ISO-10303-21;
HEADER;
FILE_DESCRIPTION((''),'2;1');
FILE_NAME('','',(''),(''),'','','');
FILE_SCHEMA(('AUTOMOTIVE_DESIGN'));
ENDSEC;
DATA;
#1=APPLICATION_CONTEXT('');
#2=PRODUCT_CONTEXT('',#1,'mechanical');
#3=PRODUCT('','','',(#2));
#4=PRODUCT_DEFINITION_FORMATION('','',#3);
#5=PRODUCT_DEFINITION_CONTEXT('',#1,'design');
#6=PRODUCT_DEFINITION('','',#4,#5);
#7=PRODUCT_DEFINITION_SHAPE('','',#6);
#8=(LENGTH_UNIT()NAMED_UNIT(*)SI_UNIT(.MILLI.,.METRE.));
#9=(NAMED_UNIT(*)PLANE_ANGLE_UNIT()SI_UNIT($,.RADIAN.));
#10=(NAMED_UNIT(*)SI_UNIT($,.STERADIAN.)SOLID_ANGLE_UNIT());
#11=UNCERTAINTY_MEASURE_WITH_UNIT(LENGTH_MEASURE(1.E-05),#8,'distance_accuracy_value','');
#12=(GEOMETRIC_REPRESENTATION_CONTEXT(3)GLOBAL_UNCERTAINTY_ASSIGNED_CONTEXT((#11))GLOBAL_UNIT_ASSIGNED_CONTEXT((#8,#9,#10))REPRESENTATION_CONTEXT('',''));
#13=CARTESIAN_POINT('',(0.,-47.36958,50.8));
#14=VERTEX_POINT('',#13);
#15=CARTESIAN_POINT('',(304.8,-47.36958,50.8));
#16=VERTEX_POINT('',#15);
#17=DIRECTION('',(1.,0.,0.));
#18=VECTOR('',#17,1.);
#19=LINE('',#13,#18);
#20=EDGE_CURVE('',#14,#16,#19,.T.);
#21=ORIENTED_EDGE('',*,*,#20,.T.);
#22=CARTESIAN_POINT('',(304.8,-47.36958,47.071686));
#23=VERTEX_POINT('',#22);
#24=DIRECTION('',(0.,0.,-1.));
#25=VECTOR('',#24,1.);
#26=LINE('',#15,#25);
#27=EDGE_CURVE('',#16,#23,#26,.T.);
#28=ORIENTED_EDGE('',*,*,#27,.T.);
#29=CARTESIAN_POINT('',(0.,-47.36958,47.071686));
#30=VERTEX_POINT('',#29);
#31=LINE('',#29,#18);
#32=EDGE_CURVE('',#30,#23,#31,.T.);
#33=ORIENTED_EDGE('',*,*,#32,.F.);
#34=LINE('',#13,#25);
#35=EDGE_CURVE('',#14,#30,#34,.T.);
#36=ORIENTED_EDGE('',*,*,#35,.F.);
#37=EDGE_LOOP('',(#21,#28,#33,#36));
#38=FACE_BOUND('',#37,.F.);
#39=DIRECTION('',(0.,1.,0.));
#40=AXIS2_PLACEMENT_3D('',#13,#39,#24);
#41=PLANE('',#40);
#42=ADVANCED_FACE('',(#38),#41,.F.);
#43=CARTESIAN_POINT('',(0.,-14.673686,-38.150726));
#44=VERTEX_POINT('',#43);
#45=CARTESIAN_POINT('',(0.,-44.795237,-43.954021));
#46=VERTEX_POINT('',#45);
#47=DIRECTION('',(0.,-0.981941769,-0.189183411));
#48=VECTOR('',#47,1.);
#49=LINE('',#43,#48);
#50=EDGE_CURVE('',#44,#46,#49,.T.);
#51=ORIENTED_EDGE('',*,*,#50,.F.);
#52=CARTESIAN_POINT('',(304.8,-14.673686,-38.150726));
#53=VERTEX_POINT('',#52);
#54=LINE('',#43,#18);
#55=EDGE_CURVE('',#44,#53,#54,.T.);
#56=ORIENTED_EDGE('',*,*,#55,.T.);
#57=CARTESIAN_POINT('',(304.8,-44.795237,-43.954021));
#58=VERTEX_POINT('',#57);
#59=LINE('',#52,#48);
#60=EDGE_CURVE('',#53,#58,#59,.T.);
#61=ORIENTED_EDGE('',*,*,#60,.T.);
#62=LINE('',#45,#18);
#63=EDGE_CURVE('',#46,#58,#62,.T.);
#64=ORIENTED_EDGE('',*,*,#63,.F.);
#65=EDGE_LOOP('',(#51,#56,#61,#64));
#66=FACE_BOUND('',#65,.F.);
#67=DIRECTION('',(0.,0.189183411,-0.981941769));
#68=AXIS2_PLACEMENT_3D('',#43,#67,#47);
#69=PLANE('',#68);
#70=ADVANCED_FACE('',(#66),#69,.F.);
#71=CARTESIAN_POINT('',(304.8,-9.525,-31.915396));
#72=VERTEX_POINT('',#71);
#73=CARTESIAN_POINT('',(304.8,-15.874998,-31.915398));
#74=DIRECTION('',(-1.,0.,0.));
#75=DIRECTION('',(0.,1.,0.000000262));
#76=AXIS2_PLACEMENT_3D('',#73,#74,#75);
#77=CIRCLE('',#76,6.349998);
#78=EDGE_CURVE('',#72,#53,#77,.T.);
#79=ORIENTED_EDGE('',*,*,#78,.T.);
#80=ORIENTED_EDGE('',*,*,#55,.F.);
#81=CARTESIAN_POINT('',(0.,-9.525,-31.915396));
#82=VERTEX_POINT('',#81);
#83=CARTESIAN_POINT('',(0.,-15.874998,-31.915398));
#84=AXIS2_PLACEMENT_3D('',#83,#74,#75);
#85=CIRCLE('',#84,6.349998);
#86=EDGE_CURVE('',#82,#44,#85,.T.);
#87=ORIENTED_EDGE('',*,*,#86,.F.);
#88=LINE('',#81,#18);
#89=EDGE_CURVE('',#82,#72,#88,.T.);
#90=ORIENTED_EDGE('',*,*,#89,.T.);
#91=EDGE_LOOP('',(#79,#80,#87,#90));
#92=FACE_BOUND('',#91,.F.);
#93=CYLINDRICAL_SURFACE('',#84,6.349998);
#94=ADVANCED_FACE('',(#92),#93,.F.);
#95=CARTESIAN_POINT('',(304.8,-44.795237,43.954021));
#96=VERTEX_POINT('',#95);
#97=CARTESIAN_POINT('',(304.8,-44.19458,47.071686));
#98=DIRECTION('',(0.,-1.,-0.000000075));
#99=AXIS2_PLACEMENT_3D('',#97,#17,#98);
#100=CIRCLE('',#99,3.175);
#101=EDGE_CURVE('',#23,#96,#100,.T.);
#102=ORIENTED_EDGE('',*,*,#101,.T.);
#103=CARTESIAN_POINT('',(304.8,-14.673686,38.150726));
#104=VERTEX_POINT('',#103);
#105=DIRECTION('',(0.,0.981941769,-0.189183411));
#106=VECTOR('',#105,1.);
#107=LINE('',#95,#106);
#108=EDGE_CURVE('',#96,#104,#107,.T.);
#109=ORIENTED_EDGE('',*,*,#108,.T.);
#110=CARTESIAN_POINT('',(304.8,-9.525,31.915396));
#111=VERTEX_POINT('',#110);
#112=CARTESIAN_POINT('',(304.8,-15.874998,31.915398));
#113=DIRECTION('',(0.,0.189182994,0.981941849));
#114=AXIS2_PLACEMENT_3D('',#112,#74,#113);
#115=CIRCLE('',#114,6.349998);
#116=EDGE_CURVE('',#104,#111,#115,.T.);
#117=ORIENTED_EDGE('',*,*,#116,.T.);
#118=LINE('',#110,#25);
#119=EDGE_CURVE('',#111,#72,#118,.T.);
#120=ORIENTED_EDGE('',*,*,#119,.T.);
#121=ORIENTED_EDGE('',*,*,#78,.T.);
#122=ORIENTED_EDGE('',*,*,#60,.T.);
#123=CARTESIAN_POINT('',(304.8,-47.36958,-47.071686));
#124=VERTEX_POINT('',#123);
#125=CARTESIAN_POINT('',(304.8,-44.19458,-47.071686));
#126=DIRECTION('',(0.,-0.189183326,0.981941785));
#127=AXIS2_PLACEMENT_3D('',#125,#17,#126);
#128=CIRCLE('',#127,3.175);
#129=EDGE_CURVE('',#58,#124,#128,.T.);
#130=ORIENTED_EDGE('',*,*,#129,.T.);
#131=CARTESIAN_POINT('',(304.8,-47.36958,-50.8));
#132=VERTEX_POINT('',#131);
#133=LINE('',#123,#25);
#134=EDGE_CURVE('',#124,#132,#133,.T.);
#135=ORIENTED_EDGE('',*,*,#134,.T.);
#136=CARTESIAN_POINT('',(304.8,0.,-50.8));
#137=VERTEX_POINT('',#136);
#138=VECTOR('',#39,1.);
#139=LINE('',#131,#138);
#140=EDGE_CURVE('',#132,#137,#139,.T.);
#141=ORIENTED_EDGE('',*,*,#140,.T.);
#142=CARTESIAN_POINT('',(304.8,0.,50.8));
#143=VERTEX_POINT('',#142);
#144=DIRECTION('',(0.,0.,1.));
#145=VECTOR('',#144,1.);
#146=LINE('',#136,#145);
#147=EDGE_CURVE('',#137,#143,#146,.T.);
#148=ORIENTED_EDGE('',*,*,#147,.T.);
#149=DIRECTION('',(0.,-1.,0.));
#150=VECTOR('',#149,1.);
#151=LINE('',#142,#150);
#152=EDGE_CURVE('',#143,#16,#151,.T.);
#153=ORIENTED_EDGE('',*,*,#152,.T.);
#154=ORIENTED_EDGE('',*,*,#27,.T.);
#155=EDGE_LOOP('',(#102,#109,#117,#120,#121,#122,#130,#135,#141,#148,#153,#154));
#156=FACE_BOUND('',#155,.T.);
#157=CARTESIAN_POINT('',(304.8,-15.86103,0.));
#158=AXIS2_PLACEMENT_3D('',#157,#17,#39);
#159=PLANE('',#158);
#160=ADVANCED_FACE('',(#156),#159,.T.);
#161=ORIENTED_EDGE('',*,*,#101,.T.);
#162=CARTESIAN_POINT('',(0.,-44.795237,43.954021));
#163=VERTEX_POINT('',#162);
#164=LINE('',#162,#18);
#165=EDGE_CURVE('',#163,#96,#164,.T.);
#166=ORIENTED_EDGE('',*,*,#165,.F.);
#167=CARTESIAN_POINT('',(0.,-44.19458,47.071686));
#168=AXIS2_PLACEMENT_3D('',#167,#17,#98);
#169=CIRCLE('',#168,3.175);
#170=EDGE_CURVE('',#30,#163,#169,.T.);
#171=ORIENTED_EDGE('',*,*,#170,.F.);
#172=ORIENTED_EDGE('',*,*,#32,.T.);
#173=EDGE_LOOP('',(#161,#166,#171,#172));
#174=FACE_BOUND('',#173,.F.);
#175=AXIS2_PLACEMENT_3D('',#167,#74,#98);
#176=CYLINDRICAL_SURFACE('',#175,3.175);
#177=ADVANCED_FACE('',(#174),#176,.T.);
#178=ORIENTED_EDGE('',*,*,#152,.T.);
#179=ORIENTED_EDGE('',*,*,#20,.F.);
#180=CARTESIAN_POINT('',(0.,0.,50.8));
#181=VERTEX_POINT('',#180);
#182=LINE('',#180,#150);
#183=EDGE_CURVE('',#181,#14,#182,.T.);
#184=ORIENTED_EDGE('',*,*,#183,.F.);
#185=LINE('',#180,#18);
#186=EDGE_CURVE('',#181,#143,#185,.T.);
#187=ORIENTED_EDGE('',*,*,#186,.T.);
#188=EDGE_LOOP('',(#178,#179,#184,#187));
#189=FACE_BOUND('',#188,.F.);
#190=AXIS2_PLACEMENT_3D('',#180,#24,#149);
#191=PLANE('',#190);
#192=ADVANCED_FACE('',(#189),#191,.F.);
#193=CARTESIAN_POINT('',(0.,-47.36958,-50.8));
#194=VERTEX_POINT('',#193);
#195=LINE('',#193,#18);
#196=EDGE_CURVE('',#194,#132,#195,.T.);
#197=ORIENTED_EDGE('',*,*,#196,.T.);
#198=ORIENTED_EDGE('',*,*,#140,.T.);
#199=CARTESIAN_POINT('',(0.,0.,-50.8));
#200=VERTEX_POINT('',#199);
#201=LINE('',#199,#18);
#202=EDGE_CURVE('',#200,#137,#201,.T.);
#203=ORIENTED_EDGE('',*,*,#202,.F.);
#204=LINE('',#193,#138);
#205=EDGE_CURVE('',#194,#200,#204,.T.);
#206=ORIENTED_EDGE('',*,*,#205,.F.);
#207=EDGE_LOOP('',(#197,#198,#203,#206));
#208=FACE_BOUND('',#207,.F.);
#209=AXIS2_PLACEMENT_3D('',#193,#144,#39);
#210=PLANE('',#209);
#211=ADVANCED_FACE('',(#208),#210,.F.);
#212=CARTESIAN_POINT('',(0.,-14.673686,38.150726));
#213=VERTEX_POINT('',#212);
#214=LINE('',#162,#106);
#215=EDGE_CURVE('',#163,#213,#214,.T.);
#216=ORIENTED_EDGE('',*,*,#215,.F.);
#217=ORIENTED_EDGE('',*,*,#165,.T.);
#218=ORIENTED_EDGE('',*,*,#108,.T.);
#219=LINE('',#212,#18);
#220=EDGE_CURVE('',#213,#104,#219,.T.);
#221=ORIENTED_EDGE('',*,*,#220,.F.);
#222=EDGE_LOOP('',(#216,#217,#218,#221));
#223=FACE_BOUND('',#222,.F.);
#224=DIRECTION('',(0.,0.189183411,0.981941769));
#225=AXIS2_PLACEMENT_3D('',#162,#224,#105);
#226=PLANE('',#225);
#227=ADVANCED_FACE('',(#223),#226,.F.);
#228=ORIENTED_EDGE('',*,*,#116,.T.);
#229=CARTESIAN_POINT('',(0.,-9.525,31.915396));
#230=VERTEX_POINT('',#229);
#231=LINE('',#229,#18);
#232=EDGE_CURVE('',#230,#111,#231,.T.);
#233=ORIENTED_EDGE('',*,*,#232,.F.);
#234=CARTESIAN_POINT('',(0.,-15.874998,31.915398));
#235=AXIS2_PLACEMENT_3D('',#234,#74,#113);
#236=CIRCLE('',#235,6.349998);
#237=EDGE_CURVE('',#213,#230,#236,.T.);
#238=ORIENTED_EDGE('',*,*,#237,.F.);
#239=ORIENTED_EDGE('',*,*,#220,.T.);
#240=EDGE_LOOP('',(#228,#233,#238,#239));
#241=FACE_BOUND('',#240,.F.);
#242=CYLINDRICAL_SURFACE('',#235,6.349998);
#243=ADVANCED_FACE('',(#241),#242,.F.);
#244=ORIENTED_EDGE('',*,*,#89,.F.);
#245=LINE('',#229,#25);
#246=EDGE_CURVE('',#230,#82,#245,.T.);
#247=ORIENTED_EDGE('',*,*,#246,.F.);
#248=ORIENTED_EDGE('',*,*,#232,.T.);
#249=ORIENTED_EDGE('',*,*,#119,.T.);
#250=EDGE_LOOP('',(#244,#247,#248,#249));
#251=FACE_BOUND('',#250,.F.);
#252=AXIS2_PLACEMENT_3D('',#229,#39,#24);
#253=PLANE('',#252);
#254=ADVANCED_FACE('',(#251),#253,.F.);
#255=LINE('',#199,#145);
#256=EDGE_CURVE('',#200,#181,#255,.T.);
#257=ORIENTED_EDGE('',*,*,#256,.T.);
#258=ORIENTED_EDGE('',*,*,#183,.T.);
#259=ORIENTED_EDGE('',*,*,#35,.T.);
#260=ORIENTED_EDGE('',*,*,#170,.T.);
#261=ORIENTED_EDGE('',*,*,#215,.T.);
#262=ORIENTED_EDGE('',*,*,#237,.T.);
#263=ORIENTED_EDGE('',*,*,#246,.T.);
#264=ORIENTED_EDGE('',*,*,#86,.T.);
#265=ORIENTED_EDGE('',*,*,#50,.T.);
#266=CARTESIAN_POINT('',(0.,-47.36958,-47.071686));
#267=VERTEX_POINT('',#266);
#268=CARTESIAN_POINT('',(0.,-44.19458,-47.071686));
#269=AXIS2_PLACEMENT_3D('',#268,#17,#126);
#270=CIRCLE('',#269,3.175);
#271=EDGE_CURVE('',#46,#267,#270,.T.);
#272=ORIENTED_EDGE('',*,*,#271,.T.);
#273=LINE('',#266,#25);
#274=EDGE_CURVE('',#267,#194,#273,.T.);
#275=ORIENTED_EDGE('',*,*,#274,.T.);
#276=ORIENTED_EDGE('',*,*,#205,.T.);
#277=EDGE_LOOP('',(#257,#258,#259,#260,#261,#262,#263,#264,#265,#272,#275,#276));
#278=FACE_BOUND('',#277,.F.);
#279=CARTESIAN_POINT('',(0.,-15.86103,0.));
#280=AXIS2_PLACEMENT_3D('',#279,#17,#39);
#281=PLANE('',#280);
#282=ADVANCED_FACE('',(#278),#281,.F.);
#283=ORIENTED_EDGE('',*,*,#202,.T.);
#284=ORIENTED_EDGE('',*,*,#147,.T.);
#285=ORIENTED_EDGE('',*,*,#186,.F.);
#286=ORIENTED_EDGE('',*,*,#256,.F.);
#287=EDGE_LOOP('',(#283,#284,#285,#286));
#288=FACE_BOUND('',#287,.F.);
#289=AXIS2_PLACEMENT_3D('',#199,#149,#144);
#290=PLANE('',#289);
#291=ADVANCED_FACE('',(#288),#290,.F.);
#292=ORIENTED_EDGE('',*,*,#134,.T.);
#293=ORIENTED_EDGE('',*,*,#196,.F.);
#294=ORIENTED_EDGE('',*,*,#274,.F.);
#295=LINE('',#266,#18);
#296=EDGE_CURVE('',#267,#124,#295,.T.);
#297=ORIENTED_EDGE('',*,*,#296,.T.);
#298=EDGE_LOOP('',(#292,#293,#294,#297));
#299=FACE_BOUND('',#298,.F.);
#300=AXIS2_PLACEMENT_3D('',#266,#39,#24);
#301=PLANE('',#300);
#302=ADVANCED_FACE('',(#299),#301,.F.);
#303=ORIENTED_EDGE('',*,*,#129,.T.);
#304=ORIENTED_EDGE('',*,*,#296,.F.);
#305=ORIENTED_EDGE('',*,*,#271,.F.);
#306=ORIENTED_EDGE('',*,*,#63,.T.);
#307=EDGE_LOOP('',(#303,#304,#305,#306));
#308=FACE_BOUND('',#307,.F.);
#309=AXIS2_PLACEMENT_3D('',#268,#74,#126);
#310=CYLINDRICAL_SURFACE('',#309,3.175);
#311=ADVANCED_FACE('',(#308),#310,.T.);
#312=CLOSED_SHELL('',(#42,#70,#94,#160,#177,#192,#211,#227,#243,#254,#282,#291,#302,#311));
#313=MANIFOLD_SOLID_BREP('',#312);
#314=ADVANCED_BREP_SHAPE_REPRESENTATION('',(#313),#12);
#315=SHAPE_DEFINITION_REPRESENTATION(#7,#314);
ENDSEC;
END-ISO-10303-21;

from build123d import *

# Parameters (mm, degrees)
F1_DEPTH = 304.8


with BuildPart() as f1:
    # F0 (on Right) → F1 (new body)
    with BuildSketch(Plane.YZ):
        with BuildLine():
            Line((0, 0), (0, 50.8))
            Line((0, 50.8), (-47.36958, 50.8))
            Line((-47.36958, 50.8), (-47.36958, 47.071686))
            ThreePointArc((-47.36958, 47.071686), (-46.642815, 45.05011), (-44.795237, 43.954021))
            Line((-44.795237, 43.954021), (-14.673686, 38.150726))
            ThreePointArc((-14.673686, 38.150726), (-10.978529, 35.958548), (-9.525, 31.915396))
            Line((-9.525, 31.915396), (-9.525, 0))
            Line((-9.525, 0), (-9.525, -31.915396))
            ThreePointArc((-9.525, -31.915396), (-10.978529, -35.958548), (-14.673686, -38.150726))
            Line((-14.673686, -38.150726), (-44.795237, -43.954021))
            ThreePointArc((-44.795237, -43.954021), (-46.642815, -45.05011), (-47.36958, -47.071686))
            Line((-47.36958, -47.071686), (-47.36958, -50.8))
            Line((-47.36958, -50.8), (0, -50.8))
            Line((0, -50.8), (0, 0))
        make_face()
    extrude(amount=F1_DEPTH)


solid = f1.part
